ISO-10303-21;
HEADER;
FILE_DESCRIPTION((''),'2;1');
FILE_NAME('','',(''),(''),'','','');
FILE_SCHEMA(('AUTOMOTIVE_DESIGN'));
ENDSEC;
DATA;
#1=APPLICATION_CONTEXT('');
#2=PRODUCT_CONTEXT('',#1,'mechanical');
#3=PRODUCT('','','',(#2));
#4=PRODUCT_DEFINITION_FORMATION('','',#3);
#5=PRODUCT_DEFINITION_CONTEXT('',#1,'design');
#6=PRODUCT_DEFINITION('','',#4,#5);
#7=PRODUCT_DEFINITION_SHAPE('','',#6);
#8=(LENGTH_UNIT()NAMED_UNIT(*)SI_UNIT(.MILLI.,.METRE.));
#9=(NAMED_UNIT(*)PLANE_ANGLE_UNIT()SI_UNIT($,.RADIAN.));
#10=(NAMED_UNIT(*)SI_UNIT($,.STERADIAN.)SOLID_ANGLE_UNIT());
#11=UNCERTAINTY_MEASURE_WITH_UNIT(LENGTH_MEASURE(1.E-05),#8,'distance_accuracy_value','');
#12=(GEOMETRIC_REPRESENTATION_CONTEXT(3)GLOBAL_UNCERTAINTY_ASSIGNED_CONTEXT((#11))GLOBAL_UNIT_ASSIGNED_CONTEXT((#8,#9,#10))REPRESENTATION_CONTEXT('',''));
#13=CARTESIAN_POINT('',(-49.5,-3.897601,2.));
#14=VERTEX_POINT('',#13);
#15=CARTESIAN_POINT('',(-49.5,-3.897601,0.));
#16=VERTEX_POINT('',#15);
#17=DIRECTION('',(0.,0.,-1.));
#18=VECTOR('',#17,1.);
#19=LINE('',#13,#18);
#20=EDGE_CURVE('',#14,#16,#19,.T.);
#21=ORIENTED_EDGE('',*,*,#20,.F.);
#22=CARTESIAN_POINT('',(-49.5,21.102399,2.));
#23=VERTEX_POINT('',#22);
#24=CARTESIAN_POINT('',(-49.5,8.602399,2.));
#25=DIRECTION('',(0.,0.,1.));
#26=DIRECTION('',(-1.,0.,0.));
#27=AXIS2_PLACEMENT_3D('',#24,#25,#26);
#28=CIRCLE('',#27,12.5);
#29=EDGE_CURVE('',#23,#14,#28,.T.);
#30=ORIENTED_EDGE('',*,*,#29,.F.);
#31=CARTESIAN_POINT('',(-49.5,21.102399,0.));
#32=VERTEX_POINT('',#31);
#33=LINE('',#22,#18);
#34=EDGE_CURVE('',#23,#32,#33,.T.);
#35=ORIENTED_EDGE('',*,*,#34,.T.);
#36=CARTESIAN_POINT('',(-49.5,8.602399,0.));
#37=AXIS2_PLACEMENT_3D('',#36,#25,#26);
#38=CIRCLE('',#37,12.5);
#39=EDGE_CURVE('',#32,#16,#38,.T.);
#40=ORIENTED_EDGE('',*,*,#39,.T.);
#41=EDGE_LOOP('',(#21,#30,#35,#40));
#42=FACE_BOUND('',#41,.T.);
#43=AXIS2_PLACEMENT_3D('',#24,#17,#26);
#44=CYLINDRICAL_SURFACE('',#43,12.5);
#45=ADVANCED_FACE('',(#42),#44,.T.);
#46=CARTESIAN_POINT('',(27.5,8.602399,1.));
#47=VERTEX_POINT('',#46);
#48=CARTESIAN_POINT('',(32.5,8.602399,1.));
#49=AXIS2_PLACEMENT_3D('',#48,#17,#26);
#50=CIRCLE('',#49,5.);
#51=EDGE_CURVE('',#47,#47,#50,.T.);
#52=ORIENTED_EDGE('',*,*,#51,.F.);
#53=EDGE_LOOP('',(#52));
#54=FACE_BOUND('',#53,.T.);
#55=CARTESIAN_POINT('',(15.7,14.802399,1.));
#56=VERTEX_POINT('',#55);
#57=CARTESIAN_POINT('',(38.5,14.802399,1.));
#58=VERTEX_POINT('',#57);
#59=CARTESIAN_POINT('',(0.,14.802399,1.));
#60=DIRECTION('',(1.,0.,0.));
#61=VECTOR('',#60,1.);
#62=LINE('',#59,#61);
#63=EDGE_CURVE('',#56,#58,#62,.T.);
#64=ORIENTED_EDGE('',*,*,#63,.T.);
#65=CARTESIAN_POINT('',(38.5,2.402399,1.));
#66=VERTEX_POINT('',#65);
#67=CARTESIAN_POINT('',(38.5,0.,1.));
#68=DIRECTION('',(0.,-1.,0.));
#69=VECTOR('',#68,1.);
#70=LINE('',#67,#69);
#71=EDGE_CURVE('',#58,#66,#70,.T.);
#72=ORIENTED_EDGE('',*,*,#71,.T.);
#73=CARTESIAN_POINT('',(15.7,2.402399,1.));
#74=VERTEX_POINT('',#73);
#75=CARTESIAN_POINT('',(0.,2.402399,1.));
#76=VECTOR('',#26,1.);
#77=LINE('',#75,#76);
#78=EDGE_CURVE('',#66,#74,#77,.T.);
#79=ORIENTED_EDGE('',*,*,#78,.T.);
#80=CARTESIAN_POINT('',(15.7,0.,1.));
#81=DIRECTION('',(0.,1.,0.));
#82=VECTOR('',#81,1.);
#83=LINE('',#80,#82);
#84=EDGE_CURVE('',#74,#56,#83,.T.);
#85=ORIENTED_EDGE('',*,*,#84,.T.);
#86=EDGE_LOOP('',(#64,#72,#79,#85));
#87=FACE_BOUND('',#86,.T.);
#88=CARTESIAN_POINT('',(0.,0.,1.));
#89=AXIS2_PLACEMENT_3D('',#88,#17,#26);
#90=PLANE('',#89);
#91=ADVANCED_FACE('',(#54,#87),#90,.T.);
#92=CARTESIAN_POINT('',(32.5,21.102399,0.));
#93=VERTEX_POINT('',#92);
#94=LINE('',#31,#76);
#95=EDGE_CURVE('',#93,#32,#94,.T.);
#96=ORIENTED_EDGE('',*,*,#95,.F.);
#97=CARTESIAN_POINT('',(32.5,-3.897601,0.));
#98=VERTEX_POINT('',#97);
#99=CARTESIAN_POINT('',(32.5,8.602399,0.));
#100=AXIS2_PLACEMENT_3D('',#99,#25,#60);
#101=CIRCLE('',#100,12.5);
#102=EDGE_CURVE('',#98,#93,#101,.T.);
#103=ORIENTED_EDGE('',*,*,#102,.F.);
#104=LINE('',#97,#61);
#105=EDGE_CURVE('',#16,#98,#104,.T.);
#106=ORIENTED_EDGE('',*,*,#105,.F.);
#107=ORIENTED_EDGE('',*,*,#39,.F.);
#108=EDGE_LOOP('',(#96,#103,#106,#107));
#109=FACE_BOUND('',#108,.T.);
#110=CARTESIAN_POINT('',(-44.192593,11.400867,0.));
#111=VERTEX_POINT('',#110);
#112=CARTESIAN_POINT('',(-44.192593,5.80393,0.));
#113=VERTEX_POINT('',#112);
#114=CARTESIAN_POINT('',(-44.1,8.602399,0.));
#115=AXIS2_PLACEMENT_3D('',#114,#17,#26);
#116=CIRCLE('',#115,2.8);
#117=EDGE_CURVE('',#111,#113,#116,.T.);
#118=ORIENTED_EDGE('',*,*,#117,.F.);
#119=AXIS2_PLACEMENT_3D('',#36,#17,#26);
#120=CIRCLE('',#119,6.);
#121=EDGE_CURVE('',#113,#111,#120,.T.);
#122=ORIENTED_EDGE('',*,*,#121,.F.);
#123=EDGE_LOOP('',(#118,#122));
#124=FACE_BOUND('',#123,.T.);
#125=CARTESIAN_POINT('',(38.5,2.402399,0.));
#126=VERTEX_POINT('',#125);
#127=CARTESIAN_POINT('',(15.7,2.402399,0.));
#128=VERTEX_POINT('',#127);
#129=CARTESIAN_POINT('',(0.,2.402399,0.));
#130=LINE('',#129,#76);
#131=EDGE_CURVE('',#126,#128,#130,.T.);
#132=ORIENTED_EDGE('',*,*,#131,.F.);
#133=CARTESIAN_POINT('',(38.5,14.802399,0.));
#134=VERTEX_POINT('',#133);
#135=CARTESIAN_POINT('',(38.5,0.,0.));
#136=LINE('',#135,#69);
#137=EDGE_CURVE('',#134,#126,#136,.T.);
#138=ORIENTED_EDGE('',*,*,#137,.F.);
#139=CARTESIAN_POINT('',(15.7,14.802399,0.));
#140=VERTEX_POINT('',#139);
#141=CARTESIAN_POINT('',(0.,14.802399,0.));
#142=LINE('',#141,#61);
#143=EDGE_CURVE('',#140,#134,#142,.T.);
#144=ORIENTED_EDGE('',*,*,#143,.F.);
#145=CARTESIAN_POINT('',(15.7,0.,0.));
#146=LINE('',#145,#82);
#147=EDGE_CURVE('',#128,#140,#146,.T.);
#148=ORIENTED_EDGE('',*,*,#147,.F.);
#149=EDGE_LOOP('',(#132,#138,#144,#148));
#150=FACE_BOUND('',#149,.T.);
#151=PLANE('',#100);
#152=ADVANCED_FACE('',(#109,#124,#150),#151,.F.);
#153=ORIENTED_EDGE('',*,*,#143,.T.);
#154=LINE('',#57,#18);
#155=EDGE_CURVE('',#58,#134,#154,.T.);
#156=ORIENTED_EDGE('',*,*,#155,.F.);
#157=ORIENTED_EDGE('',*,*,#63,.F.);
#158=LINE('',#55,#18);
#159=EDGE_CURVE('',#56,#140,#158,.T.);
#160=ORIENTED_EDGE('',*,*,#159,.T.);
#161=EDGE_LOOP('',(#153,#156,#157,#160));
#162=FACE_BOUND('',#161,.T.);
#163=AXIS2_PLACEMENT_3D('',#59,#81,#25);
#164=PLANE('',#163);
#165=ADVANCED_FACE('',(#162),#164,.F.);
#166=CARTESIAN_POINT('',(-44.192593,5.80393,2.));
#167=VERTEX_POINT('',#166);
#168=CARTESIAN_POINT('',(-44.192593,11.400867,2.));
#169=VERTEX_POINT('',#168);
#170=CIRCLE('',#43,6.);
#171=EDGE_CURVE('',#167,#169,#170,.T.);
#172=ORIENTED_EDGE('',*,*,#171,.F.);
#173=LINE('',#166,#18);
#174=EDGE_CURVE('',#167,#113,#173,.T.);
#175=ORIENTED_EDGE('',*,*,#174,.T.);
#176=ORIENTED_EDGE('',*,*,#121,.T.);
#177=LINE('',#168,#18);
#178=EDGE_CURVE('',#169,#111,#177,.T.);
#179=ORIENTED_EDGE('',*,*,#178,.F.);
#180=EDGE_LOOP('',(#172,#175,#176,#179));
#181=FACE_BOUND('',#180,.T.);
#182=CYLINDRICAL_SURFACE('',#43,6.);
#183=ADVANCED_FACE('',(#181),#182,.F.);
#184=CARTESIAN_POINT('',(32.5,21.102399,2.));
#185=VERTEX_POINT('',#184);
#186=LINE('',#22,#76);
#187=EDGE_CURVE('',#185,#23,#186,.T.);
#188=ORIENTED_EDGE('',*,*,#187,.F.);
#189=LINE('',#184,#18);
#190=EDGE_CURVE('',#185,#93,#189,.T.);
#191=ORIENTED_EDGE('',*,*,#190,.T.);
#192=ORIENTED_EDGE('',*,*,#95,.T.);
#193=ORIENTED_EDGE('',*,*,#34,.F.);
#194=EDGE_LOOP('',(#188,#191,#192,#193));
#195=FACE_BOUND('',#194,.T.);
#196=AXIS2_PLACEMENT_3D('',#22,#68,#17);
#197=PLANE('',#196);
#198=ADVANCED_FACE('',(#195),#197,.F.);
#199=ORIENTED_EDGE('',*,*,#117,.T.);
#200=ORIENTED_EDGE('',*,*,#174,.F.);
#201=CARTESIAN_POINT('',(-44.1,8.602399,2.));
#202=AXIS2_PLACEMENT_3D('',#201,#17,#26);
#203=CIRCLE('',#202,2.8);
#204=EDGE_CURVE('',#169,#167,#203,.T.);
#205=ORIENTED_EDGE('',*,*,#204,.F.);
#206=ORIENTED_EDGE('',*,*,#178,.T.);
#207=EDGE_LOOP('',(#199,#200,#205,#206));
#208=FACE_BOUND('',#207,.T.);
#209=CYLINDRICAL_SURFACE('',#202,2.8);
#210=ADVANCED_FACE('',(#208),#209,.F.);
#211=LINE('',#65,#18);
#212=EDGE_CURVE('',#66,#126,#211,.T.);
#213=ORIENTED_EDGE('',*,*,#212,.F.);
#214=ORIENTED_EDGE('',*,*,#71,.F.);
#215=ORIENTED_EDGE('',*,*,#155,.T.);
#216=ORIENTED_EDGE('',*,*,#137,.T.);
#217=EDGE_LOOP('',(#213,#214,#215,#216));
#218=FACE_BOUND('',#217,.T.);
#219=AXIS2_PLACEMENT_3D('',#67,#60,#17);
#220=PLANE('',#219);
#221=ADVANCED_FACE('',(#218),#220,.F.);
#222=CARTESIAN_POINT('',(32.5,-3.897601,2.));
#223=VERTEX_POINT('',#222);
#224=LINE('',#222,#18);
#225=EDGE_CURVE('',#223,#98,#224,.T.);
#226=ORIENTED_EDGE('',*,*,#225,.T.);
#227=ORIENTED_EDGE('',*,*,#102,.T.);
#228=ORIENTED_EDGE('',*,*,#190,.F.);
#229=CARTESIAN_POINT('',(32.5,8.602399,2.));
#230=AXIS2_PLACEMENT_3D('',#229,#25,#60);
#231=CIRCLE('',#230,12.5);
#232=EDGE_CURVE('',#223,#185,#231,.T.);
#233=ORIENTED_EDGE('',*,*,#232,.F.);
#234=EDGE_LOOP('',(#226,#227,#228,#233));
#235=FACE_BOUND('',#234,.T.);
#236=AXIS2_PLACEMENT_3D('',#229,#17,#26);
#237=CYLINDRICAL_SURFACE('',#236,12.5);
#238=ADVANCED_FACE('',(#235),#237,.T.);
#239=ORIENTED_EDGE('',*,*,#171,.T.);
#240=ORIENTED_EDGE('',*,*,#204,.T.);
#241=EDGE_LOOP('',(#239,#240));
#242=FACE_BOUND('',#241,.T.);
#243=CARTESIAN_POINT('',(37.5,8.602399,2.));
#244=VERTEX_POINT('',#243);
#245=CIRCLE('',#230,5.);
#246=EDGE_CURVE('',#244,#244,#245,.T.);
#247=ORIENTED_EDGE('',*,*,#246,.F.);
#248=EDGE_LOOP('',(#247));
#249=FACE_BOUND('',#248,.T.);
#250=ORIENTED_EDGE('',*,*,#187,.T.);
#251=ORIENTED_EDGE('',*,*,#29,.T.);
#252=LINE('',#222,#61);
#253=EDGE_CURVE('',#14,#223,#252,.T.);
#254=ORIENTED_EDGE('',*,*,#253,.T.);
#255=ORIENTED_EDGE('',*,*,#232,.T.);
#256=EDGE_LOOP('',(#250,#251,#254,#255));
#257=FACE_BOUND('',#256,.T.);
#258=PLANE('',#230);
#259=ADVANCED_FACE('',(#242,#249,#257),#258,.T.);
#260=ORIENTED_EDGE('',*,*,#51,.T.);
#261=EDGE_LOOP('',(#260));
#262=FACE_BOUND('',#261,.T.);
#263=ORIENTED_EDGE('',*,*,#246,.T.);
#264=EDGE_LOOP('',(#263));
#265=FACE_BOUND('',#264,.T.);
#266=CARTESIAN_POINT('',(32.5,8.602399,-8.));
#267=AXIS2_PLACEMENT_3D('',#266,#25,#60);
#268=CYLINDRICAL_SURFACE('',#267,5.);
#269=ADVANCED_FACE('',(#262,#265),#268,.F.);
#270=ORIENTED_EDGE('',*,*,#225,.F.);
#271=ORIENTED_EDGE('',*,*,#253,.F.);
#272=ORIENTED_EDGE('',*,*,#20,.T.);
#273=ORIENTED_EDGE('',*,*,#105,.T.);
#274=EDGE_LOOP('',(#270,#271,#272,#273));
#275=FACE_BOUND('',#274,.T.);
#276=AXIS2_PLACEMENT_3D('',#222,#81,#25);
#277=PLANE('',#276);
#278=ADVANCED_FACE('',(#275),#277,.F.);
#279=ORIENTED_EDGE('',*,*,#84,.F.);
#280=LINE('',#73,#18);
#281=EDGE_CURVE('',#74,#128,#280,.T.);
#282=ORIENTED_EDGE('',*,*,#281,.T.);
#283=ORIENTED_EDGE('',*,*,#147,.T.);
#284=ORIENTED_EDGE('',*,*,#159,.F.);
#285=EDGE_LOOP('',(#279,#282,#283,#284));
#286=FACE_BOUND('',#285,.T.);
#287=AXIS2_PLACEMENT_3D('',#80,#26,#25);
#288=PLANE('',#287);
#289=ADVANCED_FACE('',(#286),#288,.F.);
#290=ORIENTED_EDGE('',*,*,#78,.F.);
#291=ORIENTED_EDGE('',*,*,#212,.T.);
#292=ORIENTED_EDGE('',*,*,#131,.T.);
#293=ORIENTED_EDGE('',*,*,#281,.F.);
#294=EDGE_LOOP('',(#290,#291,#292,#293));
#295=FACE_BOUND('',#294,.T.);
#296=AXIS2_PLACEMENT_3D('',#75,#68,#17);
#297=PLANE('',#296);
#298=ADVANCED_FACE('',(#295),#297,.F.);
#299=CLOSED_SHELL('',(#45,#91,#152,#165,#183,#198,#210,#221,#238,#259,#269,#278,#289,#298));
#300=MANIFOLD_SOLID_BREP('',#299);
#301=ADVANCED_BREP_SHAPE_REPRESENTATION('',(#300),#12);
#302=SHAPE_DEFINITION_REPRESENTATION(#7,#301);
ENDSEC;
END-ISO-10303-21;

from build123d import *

# Parameters (mm, degrees)
SKETCH1_R           = 0.5
BOSS_EXTRUDE1_DEPTH = 2
CUT_EXTRUDE2_DEPTH  = 2
CUT_EXTRUDE3_DEPTH  = 1
SKETCH5_R           = 5
CUT_EXTRUDE4_DEPTH  = 10


with BuildPart() as part:
    # Sketch1 → Boss-Extrude1 (new body)
    with BuildSketch(Plane.XY):
        with BuildLine():
            Line((32.5, -3.897601476), (-49.5, -3.897601476))
            ThreePointArc((-49.5, -3.897601476), (-62, 8.602398524), (-49.5, 21.102398524))
            Line((-49.5, 21.102398524), (32.5, 21.102398524))
            ThreePointArc((32.5, 21.102398524), (45, 8.602398524), (32.5, -3.897601476))
        make_face()
        with Locations((-49.5, 8.602398524)):
            Circle(SKETCH1_R, mode=Mode.SUBTRACT)
        with Locations((32.5, 8.602398524)):
            Circle(SKETCH1_R, mode=Mode.SUBTRACT)
    extrude(amount=BOSS_EXTRUDE1_DEPTH)

    # Sketch3 → Cut-Extrude2 (cut)
    with BuildSketch(Plane(origin=(0, 0, 0), x_dir=(-1, 0, 0), z_dir=(0, 0, -1))):
        with BuildLine():
            ThreePointArc((44.192592593, 11.400867143), (41.3, 8.602398524), (44.192592593, 5.803929905))
            ThreePointArc((44.192592593, 5.803929905), (55.5, 8.602398524), (44.192592593, 11.400867143))
        make_face()
    extrude(amount=-CUT_EXTRUDE2_DEPTH, mode=Mode.SUBTRACT)

    # Sketch4 → Cut-Extrude3 (cut)
    with BuildSketch(Plane(origin=(0, 0, 0), x_dir=(-1, 0, 0), z_dir=(0, 0, -1))):
        with BuildLine():
            ThreePointArc((-33, 8.602398524), (-32.853553391, 8.955951915), (-32.5, 9.102398524))
            Line((-32.5, 9.102398524), (-32.5, 14.802398524))
            Line((-32.5, 14.802398524), (-38.5, 14.802398524))
            Line((-38.5, 14.802398524), (-38.5, 8.602398524))
            Line((-38.5, 8.602398524), (-33, 8.602398524))
        make_face()
        with BuildLine():
            Line((-32.5, 2.402398524), (-32.5, 8.102398524))
            ThreePointArc((-32.5, 8.102398524), (-32.853553391, 8.248845133), (-33, 8.602398524))
            Line((-33, 8.602398524), (-38.5, 8.602398524))
            Line((-38.5, 8.602398524), (-38.5, 2.402398524))
            Line((-38.5, 2.402398524), (-32.5, 2.402398524))
        make_face()
        with BuildLine():
            Line((-32.5, 14.802398524), (-32.5, 9.102398524))
            ThreePointArc((-32.5, 9.102398524), (-32.146446609, 8.955951915), (-32, 8.602398524))
            Line((-32, 8.602398524), (-15.7, 8.602398524))
            Line((-15.7, 8.602398524), (-15.7, 14.802398524))
            Line((-15.7, 14.802398524), (-32.5, 14.802398524))
        make_face()
        with BuildLine():
            ThreePointArc((-32, 8.602398524), (-32.146446609, 8.248845133), (-32.5, 8.102398524))
            Line((-32.5, 8.102398524), (-32.5, 2.402398524))
            Line((-32.5, 2.402398524), (-15.7, 2.402398524))
            Line((-15.7, 2.402398524), (-15.7, 8.602398524))
            Line((-15.7, 8.602398524), (-32, 8.602398524))
        make_face()
    extrude(amount=-CUT_EXTRUDE3_DEPTH, mode=Mode.SUBTRACT)

    # Sketch5 → Cut-Extrude4 (cut)
    with BuildSketch(Plane.XY.offset(2)):
        with Locations((32.5, 8.602398524)):
            Circle(SKETCH5_R)
    extrude(amount=-CUT_EXTRUDE4_DEPTH, mode=Mode.SUBTRACT)


solid = part.part
